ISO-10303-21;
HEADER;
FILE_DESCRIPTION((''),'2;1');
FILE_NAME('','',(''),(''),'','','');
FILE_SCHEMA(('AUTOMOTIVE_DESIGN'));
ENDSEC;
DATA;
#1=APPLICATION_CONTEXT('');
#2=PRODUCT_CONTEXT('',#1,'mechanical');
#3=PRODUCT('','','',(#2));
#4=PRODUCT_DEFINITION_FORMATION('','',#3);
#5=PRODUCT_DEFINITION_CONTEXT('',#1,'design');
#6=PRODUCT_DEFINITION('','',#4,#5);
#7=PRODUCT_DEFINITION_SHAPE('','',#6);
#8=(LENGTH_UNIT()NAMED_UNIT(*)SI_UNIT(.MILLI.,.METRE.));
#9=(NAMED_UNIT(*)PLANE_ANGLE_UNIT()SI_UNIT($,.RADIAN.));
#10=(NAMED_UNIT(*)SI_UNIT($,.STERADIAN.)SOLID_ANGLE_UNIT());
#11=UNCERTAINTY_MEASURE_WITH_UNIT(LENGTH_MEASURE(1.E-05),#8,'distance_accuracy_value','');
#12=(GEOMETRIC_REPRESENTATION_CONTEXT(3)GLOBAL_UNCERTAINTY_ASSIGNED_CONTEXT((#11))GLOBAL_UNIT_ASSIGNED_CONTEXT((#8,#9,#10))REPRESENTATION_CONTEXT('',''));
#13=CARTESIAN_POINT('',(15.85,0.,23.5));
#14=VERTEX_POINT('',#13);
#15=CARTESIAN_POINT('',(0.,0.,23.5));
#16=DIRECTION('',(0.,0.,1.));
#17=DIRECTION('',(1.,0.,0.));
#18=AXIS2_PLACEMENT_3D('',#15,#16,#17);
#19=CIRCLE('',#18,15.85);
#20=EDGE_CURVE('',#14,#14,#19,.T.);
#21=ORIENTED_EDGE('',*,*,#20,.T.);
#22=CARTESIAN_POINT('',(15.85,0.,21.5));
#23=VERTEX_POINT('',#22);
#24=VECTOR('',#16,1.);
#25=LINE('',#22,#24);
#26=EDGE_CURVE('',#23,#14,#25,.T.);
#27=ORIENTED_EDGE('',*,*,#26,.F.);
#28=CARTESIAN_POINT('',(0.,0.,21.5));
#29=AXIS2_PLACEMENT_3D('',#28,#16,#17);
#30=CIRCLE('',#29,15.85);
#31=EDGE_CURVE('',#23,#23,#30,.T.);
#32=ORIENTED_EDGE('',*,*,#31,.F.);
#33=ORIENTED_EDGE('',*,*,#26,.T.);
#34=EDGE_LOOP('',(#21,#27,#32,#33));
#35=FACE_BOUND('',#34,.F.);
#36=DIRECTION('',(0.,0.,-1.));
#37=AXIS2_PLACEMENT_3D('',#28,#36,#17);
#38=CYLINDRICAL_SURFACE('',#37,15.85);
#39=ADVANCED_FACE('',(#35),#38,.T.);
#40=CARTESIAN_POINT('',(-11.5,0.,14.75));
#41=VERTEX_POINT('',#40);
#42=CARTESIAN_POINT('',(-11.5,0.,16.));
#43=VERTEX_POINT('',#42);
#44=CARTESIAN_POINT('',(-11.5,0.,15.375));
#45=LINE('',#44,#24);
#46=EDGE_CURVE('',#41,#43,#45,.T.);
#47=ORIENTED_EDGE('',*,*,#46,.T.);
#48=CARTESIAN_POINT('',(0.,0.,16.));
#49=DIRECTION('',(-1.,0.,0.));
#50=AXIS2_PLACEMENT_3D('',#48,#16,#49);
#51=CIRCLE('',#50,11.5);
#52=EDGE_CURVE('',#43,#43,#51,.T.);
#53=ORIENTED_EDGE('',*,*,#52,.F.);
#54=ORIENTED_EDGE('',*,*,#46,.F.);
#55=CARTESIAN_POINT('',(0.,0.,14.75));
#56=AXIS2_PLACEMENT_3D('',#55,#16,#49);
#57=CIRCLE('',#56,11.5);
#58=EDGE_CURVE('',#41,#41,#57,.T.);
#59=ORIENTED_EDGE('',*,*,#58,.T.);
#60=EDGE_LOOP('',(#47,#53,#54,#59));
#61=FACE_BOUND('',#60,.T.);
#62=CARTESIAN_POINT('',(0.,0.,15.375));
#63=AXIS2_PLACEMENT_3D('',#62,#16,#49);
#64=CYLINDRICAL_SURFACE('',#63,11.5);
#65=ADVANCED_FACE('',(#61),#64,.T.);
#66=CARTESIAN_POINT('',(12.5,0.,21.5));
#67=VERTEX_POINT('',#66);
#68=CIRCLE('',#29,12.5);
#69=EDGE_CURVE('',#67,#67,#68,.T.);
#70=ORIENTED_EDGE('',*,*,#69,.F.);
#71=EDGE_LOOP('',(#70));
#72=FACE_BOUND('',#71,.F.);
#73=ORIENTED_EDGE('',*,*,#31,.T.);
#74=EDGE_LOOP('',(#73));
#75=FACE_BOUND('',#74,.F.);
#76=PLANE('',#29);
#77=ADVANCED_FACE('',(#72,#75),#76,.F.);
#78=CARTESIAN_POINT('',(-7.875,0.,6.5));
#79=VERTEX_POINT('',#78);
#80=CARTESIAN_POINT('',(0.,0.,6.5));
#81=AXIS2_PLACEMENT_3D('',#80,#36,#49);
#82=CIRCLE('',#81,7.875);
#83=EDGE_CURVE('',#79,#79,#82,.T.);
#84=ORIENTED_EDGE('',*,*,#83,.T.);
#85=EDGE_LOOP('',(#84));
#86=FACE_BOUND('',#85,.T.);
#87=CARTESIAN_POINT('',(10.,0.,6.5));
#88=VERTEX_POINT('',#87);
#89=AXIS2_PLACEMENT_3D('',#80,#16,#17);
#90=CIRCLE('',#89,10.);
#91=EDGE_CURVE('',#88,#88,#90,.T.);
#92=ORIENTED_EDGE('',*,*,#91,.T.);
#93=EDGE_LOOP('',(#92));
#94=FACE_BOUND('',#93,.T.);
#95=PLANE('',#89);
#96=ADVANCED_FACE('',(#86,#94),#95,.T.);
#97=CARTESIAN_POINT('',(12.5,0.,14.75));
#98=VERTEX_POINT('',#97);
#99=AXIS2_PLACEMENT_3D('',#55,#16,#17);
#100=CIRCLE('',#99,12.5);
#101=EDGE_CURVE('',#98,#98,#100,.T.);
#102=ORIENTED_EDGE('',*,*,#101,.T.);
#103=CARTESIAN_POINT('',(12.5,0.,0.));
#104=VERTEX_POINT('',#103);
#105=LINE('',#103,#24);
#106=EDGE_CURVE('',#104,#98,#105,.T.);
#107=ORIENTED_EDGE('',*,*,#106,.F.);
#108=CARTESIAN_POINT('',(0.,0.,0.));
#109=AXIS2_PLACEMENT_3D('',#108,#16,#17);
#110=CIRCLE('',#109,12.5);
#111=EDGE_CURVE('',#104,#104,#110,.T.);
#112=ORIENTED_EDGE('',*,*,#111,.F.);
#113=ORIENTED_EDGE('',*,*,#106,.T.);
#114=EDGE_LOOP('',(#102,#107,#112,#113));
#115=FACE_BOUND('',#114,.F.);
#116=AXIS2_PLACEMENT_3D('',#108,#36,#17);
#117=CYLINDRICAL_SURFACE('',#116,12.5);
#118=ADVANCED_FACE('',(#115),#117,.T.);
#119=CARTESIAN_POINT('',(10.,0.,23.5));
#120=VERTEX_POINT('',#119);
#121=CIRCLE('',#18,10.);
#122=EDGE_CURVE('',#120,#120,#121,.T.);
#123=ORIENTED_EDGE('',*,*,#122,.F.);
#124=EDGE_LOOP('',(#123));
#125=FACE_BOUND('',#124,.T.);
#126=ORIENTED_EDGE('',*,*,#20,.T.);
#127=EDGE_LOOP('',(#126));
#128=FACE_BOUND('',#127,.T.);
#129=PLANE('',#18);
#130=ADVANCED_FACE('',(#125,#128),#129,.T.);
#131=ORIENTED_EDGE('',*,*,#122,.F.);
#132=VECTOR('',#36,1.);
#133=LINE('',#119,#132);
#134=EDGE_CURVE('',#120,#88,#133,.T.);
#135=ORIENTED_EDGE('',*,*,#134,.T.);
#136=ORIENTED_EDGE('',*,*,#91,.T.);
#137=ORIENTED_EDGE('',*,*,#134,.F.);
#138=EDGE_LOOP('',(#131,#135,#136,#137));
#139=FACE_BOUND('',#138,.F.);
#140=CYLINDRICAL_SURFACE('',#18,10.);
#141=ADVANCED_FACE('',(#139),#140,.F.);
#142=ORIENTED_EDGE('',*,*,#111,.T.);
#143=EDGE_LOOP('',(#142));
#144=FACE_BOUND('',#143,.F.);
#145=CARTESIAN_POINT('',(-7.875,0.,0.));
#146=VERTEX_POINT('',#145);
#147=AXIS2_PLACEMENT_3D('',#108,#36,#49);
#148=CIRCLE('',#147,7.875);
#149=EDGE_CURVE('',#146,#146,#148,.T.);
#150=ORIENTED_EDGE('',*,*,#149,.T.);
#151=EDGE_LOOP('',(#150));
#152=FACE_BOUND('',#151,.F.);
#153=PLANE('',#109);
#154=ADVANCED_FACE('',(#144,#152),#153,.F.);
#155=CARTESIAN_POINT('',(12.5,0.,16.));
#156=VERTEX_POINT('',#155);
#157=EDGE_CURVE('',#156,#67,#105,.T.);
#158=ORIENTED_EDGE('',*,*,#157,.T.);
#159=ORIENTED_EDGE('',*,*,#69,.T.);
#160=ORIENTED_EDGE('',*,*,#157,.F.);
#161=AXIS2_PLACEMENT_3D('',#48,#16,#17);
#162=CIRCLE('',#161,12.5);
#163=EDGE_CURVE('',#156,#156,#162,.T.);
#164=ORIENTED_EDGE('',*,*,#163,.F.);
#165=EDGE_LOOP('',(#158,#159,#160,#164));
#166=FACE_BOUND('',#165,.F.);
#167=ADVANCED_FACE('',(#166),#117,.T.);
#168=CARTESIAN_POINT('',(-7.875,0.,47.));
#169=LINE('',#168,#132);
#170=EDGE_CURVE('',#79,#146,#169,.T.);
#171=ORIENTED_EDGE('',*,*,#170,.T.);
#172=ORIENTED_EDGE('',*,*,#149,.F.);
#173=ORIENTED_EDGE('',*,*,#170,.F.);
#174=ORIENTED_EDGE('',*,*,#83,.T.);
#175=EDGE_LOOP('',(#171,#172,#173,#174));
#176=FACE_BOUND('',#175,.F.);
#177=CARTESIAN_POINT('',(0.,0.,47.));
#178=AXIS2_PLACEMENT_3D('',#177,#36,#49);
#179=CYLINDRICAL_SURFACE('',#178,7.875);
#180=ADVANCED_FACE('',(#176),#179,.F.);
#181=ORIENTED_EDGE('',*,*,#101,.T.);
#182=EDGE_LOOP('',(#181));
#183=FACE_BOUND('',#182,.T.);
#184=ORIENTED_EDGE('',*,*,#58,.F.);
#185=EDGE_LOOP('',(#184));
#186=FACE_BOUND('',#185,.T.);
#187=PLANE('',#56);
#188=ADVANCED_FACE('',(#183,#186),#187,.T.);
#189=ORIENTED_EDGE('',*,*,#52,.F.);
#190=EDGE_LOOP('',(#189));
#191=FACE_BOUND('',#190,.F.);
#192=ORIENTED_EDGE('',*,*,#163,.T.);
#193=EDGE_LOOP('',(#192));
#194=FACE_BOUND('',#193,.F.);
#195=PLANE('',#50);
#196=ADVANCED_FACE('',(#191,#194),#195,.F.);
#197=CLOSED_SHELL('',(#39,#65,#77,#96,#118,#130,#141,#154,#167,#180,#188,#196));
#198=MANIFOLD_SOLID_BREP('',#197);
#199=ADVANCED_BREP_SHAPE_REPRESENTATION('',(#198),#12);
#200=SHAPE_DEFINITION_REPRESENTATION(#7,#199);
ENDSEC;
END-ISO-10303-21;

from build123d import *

# Parameters (mm, degrees)
F0_R     = 12.5
F1_DEPTH = 21.5
F2_R     = 15.85
F2_R_2   = 12.5
F3_DEPTH = 2
F5_D     = 15.75
F5_DEPTH = 23.5
F5_TIP   = 4.7317773748
F6_R     = 10
F7_DEPTH = 17
F8_W     = 1
F8_H     = 1.25


with BuildPart() as f1:
    # F0 (on Top) → F1 (new body)
    with BuildSketch(Plane.XY):
        Circle(F0_R)
    extrude(amount=F1_DEPTH)

    # F2 (on face) → F3 (join)
    with BuildSketch(Plane.XY.offset(21.5)):
        Circle(F2_R)
        Circle(F2_R_2, mode=Mode.SUBTRACT)
        Circle(F2_R_2)
    extrude(amount=F3_DEPTH)

    # F5
    with Locations(Plane.XY.offset(23.5)):
        with Locations((0, 0)):
            Hole(F5_D / 2, depth=F5_DEPTH)
            with Locations((0, 0, -(F5_DEPTH + F5_TIP / 2))):  # 118° drill point
                Cone(0, F5_D / 2, F5_TIP, mode=Mode.SUBTRACT)

    # F6 (on face) → F7 (cut)
    with BuildSketch(Plane.XY.offset(23.5)):
        Circle(F6_R)
    extrude(amount=-F7_DEPTH, mode=Mode.SUBTRACT)

    # F8 (on Front) → F9 (revolve, cut)
    with BuildSketch(Plane.XZ):
        with Locations((-12, 15.375)):
            Rectangle(F8_W, F8_H)
    revolve(axis=Axis((0, 0, 8), (0, 0, 1)), mode=Mode.SUBTRACT)


solid = f1.part
